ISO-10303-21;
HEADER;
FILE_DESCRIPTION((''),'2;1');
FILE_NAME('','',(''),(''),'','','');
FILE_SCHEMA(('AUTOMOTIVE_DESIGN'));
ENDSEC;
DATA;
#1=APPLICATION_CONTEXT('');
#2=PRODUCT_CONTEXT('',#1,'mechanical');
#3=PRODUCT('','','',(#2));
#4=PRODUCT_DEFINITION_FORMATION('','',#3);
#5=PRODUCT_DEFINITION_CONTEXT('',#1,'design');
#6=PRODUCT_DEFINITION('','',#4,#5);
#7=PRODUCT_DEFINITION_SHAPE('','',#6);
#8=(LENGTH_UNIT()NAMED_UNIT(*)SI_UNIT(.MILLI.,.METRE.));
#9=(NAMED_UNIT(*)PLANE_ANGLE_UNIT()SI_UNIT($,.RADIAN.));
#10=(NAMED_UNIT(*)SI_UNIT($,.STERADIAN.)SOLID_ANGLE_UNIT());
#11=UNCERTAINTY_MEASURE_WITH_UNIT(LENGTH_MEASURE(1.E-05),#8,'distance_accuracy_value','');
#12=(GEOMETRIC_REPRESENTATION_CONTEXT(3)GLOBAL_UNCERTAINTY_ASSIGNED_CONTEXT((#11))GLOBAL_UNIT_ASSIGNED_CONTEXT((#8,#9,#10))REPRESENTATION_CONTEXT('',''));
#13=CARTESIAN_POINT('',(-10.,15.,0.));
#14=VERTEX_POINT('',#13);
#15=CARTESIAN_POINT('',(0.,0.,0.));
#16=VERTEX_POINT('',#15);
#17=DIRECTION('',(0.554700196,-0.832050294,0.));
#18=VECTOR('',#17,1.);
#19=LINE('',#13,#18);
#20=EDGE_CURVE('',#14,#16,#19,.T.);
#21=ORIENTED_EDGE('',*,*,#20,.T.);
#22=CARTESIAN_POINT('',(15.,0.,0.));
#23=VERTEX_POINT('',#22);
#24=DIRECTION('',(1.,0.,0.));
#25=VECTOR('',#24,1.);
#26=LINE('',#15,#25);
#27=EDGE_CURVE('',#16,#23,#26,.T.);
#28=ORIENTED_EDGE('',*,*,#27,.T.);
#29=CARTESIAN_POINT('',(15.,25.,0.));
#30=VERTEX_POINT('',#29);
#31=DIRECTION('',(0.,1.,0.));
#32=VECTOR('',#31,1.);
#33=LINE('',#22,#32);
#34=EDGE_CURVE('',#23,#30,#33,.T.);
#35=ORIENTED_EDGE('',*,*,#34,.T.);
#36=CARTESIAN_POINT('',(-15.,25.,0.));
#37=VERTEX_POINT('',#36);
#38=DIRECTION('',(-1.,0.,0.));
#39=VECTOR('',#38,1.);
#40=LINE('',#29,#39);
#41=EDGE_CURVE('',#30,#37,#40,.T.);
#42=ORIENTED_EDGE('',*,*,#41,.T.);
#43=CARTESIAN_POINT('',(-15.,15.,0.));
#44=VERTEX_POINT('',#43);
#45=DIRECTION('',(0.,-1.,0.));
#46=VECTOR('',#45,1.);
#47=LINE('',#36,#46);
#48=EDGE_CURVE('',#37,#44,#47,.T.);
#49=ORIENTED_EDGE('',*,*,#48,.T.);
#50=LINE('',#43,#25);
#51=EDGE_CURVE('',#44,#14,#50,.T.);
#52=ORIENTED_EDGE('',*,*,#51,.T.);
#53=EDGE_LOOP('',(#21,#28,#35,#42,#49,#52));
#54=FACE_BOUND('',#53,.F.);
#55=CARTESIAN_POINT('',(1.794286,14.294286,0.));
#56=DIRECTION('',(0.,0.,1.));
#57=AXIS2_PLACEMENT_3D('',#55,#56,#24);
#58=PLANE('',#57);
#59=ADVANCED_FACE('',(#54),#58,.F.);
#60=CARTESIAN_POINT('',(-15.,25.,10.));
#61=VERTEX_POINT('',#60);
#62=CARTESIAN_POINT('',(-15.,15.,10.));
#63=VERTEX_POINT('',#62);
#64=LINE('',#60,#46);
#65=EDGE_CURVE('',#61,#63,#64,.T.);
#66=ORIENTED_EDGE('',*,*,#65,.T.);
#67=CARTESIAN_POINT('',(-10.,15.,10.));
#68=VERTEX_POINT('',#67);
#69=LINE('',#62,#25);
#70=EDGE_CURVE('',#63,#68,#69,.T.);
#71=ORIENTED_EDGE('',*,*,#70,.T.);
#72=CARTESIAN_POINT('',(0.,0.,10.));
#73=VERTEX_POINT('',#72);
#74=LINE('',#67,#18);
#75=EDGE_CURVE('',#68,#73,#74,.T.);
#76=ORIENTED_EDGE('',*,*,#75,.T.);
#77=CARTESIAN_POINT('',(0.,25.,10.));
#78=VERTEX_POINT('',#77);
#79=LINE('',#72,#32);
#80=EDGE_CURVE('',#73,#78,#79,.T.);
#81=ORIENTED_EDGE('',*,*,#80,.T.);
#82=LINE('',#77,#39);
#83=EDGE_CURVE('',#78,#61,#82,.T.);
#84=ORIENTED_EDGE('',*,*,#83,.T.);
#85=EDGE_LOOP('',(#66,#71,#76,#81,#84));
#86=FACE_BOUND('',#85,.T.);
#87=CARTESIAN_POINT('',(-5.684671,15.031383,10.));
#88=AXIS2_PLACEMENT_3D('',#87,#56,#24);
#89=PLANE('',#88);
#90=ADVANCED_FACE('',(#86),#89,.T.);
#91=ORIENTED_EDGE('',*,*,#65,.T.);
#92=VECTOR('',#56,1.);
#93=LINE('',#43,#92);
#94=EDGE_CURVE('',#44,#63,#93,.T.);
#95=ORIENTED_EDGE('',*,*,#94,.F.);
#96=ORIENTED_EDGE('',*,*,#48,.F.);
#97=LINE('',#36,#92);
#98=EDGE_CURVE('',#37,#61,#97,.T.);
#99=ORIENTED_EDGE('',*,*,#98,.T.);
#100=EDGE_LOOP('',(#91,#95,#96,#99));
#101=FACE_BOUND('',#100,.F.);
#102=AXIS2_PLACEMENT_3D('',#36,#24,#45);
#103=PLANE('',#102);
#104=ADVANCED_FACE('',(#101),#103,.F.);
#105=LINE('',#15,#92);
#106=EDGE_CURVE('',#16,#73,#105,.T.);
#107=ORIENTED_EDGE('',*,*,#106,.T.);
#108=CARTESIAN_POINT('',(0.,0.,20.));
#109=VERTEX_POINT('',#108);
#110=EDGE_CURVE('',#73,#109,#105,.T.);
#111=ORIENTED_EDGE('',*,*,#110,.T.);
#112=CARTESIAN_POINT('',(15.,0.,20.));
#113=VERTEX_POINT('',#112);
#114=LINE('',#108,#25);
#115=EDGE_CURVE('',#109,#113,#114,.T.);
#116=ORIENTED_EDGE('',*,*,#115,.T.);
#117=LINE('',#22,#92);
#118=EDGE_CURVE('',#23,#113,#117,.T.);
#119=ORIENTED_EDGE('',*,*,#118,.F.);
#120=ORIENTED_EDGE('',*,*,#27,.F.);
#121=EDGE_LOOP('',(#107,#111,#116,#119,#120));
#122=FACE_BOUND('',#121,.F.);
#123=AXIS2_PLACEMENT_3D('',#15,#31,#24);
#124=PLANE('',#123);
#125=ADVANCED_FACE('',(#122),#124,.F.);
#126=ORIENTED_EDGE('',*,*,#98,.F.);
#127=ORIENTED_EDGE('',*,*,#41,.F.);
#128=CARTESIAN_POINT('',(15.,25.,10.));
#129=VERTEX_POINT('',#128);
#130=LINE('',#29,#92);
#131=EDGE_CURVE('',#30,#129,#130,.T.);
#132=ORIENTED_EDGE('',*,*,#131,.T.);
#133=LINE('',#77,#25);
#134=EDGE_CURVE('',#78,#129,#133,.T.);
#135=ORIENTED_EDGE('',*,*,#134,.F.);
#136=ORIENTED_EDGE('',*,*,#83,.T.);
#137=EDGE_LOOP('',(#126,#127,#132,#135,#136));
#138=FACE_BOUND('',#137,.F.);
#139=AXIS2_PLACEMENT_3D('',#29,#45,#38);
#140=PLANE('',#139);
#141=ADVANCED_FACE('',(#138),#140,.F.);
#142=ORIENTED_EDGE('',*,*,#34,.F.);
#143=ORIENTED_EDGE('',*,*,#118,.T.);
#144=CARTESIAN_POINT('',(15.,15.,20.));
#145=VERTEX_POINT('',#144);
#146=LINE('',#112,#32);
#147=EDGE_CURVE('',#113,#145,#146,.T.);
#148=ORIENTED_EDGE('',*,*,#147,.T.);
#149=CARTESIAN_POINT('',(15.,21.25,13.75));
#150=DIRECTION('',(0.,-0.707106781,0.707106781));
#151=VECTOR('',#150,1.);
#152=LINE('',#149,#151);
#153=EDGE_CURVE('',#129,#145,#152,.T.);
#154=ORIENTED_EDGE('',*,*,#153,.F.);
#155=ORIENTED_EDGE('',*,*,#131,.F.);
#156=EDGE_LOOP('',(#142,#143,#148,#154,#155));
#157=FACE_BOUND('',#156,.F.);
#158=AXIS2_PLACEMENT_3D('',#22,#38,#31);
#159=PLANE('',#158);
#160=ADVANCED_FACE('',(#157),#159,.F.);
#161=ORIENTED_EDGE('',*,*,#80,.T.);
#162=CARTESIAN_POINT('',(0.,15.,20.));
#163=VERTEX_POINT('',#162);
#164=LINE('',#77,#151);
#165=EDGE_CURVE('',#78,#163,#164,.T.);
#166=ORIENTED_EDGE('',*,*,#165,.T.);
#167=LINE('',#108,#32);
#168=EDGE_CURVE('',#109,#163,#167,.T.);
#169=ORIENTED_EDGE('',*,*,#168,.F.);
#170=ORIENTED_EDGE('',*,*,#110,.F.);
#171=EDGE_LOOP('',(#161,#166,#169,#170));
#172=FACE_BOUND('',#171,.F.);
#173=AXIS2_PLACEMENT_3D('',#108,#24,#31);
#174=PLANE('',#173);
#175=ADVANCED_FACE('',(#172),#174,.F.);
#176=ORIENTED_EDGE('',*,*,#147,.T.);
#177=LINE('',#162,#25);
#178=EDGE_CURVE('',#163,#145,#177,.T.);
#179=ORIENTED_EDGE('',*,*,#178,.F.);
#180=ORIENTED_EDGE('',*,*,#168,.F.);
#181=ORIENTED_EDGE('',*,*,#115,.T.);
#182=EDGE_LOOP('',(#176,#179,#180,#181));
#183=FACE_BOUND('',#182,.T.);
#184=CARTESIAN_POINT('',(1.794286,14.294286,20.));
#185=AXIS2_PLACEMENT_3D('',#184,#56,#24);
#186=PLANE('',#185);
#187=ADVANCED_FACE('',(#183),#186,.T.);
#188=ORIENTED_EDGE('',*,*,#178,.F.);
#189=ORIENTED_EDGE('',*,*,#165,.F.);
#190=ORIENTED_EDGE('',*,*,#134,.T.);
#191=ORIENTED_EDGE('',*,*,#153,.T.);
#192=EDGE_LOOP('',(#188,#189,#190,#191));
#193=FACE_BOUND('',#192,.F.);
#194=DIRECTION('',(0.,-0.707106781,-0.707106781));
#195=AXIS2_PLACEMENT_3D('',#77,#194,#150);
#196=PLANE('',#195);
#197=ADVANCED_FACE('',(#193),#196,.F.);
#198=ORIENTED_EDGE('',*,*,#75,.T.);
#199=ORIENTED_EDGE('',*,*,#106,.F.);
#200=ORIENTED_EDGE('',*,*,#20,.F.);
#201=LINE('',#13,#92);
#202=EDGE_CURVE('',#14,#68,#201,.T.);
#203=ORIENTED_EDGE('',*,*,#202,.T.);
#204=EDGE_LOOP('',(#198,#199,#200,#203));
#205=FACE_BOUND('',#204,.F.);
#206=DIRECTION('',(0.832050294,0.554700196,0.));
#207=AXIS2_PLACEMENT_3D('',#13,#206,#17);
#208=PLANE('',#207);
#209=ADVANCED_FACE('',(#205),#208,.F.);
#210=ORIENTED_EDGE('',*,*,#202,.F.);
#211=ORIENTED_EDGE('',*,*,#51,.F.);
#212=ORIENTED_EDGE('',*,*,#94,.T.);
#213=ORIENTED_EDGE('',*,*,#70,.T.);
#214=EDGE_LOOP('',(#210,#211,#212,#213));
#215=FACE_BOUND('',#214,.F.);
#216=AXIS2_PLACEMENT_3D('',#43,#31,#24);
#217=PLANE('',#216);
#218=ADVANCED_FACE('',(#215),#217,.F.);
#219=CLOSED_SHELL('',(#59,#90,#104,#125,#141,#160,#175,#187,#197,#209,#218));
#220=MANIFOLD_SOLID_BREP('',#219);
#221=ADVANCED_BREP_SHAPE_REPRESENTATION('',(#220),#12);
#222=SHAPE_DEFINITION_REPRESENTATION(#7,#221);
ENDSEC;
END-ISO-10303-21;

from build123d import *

# Parameters (mm, degrees)
BOSS_EXTRUDE1_DEPTH = 20
CUT_EXTRUDE1_DEPTH  = 10
CUT_EXTRUDE3_DEPTH  = 20


with BuildPart() as part:
    # Sketch1 → Boss-Extrude1 (new body)
    with BuildSketch(Plane.XY):
        Polygon((0, 0), (15, 0), (15, 25), (-15, 25), (-15, 15), (-10, 15), align=None)
    extrude(amount=BOSS_EXTRUDE1_DEPTH)

    # Sketch2 → Cut-Extrude1 (cut)
    with BuildSketch(Plane.XY.offset(20)):
        Polygon((0, 0), (0, 25), (-15, 25), (-15, 15), (-10, 15), align=None)
    extrude(amount=-CUT_EXTRUDE1_DEPTH, mode=Mode.SUBTRACT)

    # Sketch3 → Cut-Extrude3 (cut)
    with BuildSketch(Plane.ZY):
        Polygon((10, 25), (20, 15), (20, 25), align=None)
    extrude(amount=-CUT_EXTRUDE3_DEPTH, mode=Mode.SUBTRACT)


solid = part.part
